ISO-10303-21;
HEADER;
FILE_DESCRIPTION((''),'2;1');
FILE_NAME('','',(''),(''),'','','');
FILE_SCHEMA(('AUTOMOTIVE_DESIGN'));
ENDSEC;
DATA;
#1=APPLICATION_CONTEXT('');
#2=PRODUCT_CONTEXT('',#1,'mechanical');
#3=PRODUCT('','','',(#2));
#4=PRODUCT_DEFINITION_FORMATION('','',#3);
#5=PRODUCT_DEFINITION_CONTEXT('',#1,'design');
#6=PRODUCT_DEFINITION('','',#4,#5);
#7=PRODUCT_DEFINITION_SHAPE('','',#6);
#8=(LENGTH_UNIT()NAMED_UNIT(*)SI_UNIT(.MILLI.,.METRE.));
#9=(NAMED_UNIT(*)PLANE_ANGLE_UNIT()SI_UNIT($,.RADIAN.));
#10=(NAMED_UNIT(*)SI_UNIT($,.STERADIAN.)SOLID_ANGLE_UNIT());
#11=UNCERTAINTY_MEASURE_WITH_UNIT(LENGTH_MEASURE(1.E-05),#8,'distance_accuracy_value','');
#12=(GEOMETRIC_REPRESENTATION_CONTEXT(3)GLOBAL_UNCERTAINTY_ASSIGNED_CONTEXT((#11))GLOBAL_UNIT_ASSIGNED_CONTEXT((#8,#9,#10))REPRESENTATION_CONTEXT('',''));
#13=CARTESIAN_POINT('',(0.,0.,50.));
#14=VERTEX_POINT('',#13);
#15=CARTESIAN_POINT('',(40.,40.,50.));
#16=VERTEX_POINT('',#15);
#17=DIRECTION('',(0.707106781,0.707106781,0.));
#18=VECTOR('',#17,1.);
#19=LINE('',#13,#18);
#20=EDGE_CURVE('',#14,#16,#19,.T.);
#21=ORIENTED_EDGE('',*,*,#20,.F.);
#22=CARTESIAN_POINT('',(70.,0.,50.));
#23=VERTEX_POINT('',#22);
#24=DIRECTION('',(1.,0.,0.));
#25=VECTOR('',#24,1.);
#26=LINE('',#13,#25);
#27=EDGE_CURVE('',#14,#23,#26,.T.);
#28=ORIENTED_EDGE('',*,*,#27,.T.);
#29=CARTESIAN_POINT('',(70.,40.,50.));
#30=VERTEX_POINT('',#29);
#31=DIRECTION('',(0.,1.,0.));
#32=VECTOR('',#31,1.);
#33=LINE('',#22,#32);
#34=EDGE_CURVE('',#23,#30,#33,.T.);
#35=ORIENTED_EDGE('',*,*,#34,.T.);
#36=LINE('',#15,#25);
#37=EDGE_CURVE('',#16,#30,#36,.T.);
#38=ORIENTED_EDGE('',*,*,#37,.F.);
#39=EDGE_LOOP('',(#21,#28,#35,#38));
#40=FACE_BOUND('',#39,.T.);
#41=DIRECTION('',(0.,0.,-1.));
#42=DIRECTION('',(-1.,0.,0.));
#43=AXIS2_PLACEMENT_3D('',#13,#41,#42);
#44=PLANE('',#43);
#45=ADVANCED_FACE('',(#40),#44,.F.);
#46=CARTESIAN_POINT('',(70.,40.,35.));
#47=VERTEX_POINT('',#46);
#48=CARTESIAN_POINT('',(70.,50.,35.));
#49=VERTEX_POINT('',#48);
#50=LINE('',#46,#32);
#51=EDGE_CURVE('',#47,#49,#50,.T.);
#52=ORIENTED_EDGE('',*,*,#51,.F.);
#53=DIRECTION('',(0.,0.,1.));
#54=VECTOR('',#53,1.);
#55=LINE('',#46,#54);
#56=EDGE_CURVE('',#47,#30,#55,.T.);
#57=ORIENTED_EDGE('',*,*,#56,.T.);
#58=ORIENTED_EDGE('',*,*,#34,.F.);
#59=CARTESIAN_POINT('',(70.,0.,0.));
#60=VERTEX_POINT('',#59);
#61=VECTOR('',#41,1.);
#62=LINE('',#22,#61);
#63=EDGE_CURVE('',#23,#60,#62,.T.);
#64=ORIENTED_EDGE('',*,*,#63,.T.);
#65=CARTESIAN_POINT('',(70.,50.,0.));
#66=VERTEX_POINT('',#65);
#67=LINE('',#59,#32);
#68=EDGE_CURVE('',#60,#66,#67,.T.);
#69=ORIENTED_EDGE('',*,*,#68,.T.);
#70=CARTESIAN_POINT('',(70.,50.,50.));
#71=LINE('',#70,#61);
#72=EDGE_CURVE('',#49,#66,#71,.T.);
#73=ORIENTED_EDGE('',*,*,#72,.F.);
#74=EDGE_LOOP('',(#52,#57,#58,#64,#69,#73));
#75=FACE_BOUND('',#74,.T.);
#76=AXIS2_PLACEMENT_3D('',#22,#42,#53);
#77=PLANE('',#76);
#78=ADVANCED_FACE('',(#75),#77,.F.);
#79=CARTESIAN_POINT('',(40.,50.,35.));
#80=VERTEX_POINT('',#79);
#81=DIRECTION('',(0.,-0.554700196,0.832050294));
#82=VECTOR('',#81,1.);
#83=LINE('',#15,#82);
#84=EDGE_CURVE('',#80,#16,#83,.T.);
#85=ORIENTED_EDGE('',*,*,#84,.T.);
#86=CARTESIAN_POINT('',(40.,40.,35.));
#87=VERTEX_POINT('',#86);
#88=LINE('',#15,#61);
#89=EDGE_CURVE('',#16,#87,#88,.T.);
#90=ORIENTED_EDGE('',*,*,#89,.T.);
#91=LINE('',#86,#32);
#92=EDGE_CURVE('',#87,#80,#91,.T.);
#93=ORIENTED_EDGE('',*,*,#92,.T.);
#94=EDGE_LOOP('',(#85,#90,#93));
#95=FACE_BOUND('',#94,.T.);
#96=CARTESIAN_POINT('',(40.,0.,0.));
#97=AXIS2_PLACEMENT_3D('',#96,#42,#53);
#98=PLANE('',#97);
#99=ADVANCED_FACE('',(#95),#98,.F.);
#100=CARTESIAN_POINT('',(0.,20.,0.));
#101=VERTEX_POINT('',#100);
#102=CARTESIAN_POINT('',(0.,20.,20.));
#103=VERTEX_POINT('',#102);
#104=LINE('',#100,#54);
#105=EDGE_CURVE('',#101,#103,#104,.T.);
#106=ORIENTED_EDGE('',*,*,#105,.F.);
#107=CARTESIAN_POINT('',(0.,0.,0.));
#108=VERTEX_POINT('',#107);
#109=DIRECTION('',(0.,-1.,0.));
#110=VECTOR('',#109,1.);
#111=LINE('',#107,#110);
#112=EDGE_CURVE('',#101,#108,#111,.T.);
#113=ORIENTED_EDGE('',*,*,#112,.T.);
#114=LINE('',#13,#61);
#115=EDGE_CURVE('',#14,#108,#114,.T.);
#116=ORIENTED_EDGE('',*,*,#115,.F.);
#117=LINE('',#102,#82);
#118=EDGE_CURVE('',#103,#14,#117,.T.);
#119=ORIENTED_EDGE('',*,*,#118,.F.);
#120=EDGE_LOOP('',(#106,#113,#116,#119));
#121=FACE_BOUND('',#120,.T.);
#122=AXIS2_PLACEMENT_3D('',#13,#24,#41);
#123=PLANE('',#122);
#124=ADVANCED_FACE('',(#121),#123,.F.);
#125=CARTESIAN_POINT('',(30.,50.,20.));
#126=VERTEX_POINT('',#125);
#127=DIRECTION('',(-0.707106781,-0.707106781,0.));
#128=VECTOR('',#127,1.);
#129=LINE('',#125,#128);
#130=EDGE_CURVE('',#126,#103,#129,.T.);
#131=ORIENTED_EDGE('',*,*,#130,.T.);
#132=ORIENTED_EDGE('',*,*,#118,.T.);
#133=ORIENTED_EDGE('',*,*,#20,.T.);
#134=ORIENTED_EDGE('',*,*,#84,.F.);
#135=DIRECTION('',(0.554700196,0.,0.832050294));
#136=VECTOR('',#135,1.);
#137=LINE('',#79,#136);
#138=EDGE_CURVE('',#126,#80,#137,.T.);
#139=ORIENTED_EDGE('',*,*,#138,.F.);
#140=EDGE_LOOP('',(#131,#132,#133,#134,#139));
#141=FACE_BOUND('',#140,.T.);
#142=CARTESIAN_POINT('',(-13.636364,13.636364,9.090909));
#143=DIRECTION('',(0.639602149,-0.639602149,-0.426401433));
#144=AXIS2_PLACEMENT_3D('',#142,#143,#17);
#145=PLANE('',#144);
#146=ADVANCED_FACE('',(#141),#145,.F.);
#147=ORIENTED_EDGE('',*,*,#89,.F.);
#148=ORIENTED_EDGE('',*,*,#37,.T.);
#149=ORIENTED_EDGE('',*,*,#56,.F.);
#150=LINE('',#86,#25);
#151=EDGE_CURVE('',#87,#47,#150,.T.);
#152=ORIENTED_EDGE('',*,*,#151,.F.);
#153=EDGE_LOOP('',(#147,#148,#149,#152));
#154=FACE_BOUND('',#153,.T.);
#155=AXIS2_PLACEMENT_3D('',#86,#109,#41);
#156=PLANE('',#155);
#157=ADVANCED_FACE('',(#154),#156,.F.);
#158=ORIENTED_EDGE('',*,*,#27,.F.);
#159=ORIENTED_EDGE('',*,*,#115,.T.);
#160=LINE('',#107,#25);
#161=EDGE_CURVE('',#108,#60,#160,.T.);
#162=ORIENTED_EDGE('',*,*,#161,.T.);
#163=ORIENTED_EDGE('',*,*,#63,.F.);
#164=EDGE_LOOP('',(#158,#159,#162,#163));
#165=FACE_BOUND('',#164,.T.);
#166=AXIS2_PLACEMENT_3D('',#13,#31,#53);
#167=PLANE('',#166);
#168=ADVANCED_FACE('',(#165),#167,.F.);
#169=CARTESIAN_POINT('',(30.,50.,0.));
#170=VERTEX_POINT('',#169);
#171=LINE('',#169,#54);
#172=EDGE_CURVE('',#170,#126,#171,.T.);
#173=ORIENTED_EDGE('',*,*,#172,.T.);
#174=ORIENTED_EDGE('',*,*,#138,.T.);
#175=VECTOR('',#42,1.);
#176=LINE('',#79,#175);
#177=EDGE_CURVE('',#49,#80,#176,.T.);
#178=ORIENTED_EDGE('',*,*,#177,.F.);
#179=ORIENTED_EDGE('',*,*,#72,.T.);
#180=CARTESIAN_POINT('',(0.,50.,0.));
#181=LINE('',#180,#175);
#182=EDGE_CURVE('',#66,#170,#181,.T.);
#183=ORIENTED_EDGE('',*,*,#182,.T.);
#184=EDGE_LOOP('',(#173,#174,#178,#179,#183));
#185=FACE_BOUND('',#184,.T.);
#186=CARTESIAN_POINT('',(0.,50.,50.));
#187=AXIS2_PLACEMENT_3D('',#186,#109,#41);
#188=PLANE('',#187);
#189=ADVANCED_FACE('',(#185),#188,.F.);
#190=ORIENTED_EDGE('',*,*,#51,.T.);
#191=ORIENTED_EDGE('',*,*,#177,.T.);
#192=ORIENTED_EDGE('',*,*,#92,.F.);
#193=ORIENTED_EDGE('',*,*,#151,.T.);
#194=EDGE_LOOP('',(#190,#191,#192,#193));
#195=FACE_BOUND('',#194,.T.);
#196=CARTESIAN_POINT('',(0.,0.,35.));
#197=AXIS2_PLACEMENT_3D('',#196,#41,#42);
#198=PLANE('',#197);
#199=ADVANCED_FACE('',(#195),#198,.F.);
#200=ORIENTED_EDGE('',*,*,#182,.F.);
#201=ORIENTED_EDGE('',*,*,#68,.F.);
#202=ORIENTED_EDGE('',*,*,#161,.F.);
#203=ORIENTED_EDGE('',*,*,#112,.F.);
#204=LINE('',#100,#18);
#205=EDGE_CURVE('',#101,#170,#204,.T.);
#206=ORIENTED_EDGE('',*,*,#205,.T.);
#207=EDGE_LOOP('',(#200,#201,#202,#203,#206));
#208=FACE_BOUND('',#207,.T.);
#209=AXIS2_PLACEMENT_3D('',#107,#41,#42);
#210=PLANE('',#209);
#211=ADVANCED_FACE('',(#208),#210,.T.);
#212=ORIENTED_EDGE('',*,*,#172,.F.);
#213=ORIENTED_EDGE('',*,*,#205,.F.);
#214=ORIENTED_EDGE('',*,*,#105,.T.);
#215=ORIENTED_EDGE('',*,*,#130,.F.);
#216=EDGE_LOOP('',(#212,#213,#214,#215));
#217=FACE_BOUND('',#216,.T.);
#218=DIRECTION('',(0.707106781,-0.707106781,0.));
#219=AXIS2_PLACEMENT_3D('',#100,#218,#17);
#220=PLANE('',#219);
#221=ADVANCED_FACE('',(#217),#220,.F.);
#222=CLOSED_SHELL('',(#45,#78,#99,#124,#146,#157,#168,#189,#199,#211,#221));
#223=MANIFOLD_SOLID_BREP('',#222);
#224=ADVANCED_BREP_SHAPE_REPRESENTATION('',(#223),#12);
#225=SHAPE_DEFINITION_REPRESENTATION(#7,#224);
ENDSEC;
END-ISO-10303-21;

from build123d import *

# Parameters (mm, degrees)
SKETCH1_W           = 70
SKETCH1_H           = 50
BOSS_EXTRUDE1_DEPTH = 50
CUT_EXTRUDE1_DEPTH  = 50
CUT_EXTRUDE3_DEPTH  = 30
BOSS_EXTRUDE2_DEPTH = 30
SKETCH6_W           = 70
SKETCH6_H           = 50
CUT_EXTRUDE4_DEPTH  = 30
BOSS_EXTRUDE3_DEPTH = 30
SKETCH8_W           = 30
SKETCH8_H           = 10
CUT_EXTRUDE6_DEPTH  = 15
BOSS_EXTRUDE4_DEPTH = 15
BOSS_EXTRUDE5_DEPTH = 15
SKETCH11_W          = 15
SKETCH11_H          = 10
CUT_EXTRUDE8_DEPTH  = 30


with BuildPart() as part:
    # Sketch1 → Boss-Extrude1 (new body)
    with BuildSketch(Plane.XY):
        with Locations((35, 25)):
            Rectangle(SKETCH1_W, SKETCH1_H)
    extrude(amount=BOSS_EXTRUDE1_DEPTH)

    # Sketch2 → Cut-Extrude1 (cut)
    with BuildSketch(Plane.XY.offset(50)):
        Polygon((0, 20), (30, 50), (0, 50), align=None)
    extrude(amount=-CUT_EXTRUDE1_DEPTH, mode=Mode.SUBTRACT)

    # Sketch3 → Cut-Extrude3 (cut)
    with BuildSketch(Plane.XY.offset(50)):
        Polygon((0, 0), (40, 40), (40, 50), (30, 50), (0, 20), align=None)
    extrude(amount=-CUT_EXTRUDE3_DEPTH, mode=Mode.SUBTRACT)

    # Sketch4 → Boss-Extrude2 (add)
    with BuildSketch(Plane(origin=(-13.636363636, 13.636363636, 9.090909091), x_dir=(0.768706115, 0.532181156, 0.354787438), z_dir=(-0.639602149, 0.639602149, 0.426401433))):
        Polygon((17.73937188, -5.547001962), (17.73937188, -41.602514717), (69.774862727, -19.414506868), (56.765990015, 11.094003925), align=None)
    extrude(amount=-BOSS_EXTRUDE2_DEPTH)

    # Sketch6 → Cut-Extrude4 (cut)
    with BuildSketch(Plane.XZ):
        with Locations((35, 25)):
            Rectangle(SKETCH6_W, SKETCH6_H)
    extrude(amount=CUT_EXTRUDE4_DEPTH, mode=Mode.SUBTRACT)

    # Sketch7 → Boss-Extrude3 (add)
    with BuildSketch(Plane.ZY):
        Polygon((20, 20), (20, 0), (50, 0), align=None)
    extrude(amount=-BOSS_EXTRUDE3_DEPTH)

    # Sketch8 → Cut-Extrude6 (cut)
    with BuildSketch(Plane.XY.offset(50)):
        with Locations((55, 45)):
            Rectangle(SKETCH8_W, SKETCH8_H)
    extrude(amount=-CUT_EXTRUDE6_DEPTH, mode=Mode.SUBTRACT)

    # Sketch9 → Boss-Extrude4 (add)
    with BuildSketch(Plane(origin=(-13.636363636, 13.636363636, 9.090909091), x_dir=(-0.768706115, -0.532181156, -0.354787438), z_dir=(0.639602149, -0.639602149, -0.426401433))):
        Polygon((-56.765990015, 11.094003925), (-69.774862727, -19.414506868), (-69.774862727, -1.386750491), align=None)
    extrude(amount=BOSS_EXTRUDE4_DEPTH)

    # Sketch10 → Boss-Extrude5 (add)
    with BuildSketch(Plane(origin=(0, 50, 0), x_dir=(1, 0, 0), z_dir=(0, 1, 0))):
        Polygon((30, -20), (40, -20), (40, -35), align=None)
    extrude(amount=-BOSS_EXTRUDE5_DEPTH)

    # Sketch11 → Cut-Extrude8 (cut)
    with BuildSketch(Plane(origin=(70, 0, 0), x_dir=(0, 0, -1), z_dir=(1, 0, 0))):
        with Locations((-42.5, 45)):
            Rectangle(SKETCH11_W, SKETCH11_H)
    extrude(amount=-CUT_EXTRUDE8_DEPTH, mode=Mode.SUBTRACT)


solid = part.part
